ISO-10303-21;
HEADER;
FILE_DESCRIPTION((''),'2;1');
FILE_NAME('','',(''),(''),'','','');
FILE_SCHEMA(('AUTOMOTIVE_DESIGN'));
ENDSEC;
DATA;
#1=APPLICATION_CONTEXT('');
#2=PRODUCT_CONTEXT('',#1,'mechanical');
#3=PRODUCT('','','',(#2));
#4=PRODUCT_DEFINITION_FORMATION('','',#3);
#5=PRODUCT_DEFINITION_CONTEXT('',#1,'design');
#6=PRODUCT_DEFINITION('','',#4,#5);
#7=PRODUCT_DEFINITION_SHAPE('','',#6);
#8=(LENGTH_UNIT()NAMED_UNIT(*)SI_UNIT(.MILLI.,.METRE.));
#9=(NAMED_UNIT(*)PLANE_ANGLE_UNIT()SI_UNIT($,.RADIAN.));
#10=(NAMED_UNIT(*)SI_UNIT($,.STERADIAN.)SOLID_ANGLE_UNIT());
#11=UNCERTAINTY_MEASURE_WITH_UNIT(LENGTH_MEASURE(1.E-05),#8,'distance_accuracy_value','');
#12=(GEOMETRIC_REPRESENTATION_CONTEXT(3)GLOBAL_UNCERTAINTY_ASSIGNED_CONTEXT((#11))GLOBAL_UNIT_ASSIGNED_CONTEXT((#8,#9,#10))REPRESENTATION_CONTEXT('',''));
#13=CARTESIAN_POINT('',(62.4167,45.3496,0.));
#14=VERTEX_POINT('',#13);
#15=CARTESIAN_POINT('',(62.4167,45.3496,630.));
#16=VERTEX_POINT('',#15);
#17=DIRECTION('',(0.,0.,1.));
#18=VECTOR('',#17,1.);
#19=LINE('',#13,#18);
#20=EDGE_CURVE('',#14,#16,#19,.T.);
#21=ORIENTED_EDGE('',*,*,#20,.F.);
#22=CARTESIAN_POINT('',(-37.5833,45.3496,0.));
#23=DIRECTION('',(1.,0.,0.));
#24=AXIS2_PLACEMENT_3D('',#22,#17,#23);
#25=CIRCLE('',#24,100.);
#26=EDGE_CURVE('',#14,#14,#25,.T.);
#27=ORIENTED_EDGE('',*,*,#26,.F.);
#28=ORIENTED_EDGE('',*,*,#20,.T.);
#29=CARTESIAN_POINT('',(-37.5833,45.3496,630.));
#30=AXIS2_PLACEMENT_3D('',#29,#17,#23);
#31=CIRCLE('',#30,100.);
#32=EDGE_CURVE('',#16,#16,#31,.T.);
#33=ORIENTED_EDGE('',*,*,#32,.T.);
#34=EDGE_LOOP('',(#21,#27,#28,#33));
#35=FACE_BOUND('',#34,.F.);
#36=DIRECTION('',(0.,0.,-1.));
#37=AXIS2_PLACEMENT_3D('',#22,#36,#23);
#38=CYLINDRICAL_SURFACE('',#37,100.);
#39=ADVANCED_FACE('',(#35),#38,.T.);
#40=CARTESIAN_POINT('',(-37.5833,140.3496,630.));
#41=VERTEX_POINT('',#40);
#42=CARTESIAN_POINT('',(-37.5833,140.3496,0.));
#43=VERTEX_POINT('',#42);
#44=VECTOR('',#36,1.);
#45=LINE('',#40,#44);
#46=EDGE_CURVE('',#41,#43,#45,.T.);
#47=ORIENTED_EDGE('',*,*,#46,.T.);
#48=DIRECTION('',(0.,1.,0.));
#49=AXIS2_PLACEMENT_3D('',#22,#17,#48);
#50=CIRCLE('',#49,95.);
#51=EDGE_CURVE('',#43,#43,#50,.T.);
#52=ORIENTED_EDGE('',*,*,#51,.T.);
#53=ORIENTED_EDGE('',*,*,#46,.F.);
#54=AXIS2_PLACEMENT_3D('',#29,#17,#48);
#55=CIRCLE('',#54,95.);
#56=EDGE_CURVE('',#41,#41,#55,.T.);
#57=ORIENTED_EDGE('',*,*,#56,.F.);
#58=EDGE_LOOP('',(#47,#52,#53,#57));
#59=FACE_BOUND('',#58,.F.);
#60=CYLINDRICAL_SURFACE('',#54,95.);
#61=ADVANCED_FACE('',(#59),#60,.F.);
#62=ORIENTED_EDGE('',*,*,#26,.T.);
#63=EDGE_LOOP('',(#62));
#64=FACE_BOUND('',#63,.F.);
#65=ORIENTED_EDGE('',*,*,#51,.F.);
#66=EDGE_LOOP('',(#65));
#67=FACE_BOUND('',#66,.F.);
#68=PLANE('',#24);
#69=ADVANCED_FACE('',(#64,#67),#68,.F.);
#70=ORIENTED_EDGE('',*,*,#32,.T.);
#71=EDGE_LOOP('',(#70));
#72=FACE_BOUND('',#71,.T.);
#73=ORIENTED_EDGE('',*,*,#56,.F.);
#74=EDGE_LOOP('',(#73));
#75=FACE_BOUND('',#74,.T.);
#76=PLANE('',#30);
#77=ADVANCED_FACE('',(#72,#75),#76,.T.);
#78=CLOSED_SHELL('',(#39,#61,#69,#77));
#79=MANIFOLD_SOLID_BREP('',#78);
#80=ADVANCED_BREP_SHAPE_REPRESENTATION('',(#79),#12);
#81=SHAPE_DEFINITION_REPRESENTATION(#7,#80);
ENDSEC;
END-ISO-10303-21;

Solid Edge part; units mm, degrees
sketch "Sketch1" plane through (0, 0, 0) normal (0, 0, 1) x (1, 0, 0)
  circle A0 centre (-37.5833, 45.3496) radius 100
extrude "Protrusion1" add sketch "Sketch1" along normal blind 630
sketch "Sketch2" plane through (-37.5833, 45.3496, 630) normal (0, 0, 1) x (0, 1, 0)
  circle A0 centre (0, 0) radius 95
  dimension "D1" = 190
extrude "Cutout1" cut sketch "Sketch2" against normal through all
extrude "ExtrudedCutout_4" [suppressed]
pattern "Pattern1" [suppressed]
mirror "Mirror1" [suppressed]
properties material "Aluminum, 6061-T6"
